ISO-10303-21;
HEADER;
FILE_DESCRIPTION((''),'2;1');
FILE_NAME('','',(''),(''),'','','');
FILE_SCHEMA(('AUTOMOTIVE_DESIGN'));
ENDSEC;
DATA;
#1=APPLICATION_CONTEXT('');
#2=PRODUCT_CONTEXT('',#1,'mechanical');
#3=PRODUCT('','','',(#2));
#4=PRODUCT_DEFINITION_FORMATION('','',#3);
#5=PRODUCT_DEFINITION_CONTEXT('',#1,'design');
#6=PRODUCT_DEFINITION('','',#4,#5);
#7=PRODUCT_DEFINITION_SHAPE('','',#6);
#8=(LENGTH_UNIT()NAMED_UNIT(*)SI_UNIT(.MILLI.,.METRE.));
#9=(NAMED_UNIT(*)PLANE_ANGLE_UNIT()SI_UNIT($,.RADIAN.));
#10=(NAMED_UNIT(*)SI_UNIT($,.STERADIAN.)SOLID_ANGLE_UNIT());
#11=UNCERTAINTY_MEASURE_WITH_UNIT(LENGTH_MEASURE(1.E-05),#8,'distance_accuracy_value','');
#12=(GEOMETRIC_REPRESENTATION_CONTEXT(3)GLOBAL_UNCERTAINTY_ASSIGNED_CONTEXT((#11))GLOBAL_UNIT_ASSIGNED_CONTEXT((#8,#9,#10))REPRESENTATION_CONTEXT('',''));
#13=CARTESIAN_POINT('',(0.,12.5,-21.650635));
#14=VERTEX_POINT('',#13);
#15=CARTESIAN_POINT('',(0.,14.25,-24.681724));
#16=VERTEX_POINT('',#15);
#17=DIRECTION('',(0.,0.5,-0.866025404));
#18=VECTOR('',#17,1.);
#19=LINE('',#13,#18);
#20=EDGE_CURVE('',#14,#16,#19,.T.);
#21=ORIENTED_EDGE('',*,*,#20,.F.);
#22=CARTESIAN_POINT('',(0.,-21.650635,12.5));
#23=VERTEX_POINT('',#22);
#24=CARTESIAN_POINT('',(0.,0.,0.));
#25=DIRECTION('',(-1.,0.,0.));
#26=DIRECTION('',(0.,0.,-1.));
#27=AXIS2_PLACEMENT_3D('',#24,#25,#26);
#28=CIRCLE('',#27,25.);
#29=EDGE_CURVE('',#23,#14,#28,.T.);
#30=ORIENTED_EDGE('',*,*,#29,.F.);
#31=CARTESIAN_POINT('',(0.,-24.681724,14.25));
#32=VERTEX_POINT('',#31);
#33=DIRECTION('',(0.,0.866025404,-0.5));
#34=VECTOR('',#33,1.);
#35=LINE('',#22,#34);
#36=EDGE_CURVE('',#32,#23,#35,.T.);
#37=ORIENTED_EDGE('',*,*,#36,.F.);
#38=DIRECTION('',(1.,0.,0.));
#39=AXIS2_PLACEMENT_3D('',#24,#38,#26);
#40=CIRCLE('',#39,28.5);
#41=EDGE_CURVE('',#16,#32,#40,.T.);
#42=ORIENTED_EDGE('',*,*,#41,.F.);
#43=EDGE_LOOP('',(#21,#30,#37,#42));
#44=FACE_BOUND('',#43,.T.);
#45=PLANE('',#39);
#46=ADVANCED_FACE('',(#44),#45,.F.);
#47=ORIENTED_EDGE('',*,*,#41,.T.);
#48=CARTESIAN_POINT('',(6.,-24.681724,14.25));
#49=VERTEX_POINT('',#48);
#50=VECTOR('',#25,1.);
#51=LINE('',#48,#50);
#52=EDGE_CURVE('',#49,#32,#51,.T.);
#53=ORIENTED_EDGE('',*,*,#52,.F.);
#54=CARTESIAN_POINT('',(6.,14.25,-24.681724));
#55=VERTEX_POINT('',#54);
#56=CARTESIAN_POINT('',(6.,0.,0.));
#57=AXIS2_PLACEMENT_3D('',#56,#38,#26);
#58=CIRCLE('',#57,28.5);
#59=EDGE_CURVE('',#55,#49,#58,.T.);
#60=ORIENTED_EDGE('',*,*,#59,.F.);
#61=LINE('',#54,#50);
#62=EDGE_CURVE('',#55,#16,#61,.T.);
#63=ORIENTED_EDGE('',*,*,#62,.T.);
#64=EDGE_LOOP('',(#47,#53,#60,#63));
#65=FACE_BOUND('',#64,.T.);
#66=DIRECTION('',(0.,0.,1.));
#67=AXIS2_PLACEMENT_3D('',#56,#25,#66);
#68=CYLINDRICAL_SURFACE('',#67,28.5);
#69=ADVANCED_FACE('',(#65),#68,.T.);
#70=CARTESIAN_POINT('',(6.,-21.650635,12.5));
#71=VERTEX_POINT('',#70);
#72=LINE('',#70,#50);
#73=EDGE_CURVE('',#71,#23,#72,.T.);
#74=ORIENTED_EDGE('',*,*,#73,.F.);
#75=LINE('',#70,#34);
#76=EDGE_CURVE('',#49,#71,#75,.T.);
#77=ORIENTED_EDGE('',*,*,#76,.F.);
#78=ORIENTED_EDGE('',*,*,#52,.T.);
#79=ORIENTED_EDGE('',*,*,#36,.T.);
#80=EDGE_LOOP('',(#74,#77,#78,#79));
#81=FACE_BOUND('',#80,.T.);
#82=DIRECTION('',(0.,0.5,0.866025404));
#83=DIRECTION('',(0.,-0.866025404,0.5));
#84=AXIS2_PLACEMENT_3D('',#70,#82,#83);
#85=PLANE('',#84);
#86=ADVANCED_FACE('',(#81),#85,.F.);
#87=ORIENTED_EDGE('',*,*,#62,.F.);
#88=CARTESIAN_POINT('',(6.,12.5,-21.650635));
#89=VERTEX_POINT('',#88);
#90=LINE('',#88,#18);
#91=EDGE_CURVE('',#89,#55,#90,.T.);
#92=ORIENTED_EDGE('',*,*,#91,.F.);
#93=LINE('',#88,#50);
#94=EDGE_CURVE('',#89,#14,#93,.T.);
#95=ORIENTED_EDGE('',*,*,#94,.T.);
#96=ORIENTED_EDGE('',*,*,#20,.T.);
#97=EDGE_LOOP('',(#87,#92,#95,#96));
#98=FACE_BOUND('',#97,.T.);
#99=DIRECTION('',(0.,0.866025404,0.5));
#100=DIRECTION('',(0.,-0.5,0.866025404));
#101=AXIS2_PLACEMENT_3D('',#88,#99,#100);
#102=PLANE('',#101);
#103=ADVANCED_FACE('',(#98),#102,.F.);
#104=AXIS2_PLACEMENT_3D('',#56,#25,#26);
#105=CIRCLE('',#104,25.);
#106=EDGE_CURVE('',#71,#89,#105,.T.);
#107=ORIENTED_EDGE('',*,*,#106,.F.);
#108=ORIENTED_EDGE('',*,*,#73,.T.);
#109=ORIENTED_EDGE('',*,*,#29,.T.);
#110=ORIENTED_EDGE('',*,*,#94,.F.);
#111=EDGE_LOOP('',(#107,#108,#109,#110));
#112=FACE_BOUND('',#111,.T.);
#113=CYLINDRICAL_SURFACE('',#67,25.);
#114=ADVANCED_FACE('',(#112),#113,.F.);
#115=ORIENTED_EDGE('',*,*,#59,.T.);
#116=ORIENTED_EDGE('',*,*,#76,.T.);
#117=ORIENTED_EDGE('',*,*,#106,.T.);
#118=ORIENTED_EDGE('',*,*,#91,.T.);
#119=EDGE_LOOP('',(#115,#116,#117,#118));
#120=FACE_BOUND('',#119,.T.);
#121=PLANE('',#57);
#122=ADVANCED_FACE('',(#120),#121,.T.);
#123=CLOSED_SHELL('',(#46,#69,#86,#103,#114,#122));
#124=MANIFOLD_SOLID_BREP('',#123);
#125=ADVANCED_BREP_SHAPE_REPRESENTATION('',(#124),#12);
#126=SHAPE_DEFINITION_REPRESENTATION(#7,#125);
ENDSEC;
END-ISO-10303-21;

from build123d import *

# Parameters (mm, degrees)
BOSS_EXTRUDE1_DEPTH = 6


with BuildPart() as part:
    # Sketch1 → Boss-Extrude1 (new body)
    with BuildSketch(Plane(origin=(0, 0, 0), x_dir=(0, 0, -1), z_dir=(1, 0, 0))):
        with BuildLine():
            Line((-12.5, -21.650635095), (-14.25, -24.681724008))
            ThreePointArc((-14.25, -24.681724008), (-20.152543264, 20.152543264), (24.681724008, 14.25))
            Line((24.681724008, 14.25), (21.650635095, 12.5))
            ThreePointArc((21.650635095, 12.5), (-17.67766953, 17.67766953), (-12.5, -21.650635095))
        make_face()
    extrude(amount=BOSS_EXTRUDE1_DEPTH)


solid = part.part
